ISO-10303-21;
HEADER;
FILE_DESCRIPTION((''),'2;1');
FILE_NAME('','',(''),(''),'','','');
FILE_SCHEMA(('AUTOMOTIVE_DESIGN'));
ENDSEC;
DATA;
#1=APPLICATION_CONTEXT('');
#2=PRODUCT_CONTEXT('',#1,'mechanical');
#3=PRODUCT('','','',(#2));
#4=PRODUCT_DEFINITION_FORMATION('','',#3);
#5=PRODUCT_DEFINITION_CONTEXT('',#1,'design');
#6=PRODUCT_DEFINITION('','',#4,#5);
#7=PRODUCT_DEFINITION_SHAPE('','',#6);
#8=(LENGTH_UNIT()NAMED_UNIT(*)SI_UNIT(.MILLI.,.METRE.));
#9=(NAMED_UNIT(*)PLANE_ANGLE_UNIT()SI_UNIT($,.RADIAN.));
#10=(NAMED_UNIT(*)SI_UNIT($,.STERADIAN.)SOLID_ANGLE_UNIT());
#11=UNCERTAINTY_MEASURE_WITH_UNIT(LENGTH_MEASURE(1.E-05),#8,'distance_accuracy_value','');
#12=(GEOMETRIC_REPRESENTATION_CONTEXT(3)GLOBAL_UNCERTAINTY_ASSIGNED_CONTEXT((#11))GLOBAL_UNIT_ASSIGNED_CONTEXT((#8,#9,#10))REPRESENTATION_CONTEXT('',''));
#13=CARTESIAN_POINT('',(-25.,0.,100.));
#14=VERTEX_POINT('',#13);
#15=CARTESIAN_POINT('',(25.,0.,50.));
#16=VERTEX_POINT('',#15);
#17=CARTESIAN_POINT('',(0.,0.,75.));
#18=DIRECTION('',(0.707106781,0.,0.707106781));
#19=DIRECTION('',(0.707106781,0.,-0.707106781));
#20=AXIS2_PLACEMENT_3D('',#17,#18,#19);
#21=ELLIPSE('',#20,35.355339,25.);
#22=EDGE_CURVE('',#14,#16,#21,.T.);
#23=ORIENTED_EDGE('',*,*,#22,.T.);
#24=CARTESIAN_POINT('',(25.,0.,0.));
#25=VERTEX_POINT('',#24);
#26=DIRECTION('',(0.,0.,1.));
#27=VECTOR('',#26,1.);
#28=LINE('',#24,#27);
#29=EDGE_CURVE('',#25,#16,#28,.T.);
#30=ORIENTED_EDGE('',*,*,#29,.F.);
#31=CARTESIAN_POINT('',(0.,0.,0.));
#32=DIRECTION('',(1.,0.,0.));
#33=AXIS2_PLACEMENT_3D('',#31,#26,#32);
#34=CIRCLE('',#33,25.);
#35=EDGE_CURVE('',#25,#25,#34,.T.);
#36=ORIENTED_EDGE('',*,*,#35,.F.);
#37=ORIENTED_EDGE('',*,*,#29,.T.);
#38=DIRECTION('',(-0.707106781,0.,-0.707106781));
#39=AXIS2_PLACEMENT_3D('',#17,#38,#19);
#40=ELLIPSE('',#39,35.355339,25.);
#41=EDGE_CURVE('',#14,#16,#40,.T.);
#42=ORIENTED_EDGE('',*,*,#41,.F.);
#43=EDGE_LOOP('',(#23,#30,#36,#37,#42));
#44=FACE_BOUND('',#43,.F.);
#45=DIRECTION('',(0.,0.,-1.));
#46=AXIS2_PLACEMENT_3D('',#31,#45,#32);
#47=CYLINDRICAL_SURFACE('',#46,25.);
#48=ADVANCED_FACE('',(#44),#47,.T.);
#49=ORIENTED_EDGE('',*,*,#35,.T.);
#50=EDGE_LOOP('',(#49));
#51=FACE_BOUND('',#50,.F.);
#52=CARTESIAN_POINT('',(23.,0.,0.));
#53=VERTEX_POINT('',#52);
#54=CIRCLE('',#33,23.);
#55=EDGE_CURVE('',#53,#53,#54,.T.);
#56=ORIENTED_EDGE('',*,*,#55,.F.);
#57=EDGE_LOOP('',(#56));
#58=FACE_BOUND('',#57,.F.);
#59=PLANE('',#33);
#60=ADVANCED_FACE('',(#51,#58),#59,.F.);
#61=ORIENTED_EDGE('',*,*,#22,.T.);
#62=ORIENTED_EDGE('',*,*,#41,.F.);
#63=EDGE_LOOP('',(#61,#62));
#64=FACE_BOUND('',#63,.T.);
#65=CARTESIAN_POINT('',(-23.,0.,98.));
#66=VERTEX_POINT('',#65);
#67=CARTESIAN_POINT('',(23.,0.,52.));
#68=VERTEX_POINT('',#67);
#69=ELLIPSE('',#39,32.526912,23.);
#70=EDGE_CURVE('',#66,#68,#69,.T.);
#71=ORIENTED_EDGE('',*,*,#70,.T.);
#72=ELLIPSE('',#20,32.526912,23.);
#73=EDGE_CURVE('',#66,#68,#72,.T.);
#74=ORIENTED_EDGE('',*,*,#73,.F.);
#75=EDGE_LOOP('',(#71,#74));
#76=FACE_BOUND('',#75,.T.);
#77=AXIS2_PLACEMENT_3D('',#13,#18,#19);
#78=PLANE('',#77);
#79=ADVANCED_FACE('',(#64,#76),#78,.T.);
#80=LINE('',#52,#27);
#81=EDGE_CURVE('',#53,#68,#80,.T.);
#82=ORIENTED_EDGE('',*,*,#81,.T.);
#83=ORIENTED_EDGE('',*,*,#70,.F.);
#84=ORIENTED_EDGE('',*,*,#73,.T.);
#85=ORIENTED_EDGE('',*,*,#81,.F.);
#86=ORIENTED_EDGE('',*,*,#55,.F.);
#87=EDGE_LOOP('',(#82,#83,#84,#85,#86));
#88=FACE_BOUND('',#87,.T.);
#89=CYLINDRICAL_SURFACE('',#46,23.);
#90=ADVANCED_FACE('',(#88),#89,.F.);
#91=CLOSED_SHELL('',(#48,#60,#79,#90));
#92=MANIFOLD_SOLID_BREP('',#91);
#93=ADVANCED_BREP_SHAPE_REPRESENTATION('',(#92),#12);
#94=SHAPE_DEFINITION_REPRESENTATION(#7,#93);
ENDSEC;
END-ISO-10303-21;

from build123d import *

# Parameters (mm, degrees)
F0_R          = 25
F0_R_2        = 23
F1_DEPTH      = 100
F3_DEPTH      = 25.001
F3_DEPTH_BACK = 25.001


with BuildPart() as f1:
    # F0 (on Top) → F1 (new body)
    with BuildSketch(Plane.XY):
        Circle(F0_R)
        Circle(F0_R_2, mode=Mode.SUBTRACT)
    extrude(amount=F1_DEPTH)

    # F2 (on Front) → F3 (cut, two sides)
    with BuildSketch(Plane.XZ) as f3_sk:
        Polygon((25, 100), (-25, 100), (25, 50), align=None)
    extrude(amount=F3_DEPTH, mode=Mode.SUBTRACT)
    extrude(f3_sk.sketch, amount=-F3_DEPTH_BACK, mode=Mode.SUBTRACT)


solid = f1.part
